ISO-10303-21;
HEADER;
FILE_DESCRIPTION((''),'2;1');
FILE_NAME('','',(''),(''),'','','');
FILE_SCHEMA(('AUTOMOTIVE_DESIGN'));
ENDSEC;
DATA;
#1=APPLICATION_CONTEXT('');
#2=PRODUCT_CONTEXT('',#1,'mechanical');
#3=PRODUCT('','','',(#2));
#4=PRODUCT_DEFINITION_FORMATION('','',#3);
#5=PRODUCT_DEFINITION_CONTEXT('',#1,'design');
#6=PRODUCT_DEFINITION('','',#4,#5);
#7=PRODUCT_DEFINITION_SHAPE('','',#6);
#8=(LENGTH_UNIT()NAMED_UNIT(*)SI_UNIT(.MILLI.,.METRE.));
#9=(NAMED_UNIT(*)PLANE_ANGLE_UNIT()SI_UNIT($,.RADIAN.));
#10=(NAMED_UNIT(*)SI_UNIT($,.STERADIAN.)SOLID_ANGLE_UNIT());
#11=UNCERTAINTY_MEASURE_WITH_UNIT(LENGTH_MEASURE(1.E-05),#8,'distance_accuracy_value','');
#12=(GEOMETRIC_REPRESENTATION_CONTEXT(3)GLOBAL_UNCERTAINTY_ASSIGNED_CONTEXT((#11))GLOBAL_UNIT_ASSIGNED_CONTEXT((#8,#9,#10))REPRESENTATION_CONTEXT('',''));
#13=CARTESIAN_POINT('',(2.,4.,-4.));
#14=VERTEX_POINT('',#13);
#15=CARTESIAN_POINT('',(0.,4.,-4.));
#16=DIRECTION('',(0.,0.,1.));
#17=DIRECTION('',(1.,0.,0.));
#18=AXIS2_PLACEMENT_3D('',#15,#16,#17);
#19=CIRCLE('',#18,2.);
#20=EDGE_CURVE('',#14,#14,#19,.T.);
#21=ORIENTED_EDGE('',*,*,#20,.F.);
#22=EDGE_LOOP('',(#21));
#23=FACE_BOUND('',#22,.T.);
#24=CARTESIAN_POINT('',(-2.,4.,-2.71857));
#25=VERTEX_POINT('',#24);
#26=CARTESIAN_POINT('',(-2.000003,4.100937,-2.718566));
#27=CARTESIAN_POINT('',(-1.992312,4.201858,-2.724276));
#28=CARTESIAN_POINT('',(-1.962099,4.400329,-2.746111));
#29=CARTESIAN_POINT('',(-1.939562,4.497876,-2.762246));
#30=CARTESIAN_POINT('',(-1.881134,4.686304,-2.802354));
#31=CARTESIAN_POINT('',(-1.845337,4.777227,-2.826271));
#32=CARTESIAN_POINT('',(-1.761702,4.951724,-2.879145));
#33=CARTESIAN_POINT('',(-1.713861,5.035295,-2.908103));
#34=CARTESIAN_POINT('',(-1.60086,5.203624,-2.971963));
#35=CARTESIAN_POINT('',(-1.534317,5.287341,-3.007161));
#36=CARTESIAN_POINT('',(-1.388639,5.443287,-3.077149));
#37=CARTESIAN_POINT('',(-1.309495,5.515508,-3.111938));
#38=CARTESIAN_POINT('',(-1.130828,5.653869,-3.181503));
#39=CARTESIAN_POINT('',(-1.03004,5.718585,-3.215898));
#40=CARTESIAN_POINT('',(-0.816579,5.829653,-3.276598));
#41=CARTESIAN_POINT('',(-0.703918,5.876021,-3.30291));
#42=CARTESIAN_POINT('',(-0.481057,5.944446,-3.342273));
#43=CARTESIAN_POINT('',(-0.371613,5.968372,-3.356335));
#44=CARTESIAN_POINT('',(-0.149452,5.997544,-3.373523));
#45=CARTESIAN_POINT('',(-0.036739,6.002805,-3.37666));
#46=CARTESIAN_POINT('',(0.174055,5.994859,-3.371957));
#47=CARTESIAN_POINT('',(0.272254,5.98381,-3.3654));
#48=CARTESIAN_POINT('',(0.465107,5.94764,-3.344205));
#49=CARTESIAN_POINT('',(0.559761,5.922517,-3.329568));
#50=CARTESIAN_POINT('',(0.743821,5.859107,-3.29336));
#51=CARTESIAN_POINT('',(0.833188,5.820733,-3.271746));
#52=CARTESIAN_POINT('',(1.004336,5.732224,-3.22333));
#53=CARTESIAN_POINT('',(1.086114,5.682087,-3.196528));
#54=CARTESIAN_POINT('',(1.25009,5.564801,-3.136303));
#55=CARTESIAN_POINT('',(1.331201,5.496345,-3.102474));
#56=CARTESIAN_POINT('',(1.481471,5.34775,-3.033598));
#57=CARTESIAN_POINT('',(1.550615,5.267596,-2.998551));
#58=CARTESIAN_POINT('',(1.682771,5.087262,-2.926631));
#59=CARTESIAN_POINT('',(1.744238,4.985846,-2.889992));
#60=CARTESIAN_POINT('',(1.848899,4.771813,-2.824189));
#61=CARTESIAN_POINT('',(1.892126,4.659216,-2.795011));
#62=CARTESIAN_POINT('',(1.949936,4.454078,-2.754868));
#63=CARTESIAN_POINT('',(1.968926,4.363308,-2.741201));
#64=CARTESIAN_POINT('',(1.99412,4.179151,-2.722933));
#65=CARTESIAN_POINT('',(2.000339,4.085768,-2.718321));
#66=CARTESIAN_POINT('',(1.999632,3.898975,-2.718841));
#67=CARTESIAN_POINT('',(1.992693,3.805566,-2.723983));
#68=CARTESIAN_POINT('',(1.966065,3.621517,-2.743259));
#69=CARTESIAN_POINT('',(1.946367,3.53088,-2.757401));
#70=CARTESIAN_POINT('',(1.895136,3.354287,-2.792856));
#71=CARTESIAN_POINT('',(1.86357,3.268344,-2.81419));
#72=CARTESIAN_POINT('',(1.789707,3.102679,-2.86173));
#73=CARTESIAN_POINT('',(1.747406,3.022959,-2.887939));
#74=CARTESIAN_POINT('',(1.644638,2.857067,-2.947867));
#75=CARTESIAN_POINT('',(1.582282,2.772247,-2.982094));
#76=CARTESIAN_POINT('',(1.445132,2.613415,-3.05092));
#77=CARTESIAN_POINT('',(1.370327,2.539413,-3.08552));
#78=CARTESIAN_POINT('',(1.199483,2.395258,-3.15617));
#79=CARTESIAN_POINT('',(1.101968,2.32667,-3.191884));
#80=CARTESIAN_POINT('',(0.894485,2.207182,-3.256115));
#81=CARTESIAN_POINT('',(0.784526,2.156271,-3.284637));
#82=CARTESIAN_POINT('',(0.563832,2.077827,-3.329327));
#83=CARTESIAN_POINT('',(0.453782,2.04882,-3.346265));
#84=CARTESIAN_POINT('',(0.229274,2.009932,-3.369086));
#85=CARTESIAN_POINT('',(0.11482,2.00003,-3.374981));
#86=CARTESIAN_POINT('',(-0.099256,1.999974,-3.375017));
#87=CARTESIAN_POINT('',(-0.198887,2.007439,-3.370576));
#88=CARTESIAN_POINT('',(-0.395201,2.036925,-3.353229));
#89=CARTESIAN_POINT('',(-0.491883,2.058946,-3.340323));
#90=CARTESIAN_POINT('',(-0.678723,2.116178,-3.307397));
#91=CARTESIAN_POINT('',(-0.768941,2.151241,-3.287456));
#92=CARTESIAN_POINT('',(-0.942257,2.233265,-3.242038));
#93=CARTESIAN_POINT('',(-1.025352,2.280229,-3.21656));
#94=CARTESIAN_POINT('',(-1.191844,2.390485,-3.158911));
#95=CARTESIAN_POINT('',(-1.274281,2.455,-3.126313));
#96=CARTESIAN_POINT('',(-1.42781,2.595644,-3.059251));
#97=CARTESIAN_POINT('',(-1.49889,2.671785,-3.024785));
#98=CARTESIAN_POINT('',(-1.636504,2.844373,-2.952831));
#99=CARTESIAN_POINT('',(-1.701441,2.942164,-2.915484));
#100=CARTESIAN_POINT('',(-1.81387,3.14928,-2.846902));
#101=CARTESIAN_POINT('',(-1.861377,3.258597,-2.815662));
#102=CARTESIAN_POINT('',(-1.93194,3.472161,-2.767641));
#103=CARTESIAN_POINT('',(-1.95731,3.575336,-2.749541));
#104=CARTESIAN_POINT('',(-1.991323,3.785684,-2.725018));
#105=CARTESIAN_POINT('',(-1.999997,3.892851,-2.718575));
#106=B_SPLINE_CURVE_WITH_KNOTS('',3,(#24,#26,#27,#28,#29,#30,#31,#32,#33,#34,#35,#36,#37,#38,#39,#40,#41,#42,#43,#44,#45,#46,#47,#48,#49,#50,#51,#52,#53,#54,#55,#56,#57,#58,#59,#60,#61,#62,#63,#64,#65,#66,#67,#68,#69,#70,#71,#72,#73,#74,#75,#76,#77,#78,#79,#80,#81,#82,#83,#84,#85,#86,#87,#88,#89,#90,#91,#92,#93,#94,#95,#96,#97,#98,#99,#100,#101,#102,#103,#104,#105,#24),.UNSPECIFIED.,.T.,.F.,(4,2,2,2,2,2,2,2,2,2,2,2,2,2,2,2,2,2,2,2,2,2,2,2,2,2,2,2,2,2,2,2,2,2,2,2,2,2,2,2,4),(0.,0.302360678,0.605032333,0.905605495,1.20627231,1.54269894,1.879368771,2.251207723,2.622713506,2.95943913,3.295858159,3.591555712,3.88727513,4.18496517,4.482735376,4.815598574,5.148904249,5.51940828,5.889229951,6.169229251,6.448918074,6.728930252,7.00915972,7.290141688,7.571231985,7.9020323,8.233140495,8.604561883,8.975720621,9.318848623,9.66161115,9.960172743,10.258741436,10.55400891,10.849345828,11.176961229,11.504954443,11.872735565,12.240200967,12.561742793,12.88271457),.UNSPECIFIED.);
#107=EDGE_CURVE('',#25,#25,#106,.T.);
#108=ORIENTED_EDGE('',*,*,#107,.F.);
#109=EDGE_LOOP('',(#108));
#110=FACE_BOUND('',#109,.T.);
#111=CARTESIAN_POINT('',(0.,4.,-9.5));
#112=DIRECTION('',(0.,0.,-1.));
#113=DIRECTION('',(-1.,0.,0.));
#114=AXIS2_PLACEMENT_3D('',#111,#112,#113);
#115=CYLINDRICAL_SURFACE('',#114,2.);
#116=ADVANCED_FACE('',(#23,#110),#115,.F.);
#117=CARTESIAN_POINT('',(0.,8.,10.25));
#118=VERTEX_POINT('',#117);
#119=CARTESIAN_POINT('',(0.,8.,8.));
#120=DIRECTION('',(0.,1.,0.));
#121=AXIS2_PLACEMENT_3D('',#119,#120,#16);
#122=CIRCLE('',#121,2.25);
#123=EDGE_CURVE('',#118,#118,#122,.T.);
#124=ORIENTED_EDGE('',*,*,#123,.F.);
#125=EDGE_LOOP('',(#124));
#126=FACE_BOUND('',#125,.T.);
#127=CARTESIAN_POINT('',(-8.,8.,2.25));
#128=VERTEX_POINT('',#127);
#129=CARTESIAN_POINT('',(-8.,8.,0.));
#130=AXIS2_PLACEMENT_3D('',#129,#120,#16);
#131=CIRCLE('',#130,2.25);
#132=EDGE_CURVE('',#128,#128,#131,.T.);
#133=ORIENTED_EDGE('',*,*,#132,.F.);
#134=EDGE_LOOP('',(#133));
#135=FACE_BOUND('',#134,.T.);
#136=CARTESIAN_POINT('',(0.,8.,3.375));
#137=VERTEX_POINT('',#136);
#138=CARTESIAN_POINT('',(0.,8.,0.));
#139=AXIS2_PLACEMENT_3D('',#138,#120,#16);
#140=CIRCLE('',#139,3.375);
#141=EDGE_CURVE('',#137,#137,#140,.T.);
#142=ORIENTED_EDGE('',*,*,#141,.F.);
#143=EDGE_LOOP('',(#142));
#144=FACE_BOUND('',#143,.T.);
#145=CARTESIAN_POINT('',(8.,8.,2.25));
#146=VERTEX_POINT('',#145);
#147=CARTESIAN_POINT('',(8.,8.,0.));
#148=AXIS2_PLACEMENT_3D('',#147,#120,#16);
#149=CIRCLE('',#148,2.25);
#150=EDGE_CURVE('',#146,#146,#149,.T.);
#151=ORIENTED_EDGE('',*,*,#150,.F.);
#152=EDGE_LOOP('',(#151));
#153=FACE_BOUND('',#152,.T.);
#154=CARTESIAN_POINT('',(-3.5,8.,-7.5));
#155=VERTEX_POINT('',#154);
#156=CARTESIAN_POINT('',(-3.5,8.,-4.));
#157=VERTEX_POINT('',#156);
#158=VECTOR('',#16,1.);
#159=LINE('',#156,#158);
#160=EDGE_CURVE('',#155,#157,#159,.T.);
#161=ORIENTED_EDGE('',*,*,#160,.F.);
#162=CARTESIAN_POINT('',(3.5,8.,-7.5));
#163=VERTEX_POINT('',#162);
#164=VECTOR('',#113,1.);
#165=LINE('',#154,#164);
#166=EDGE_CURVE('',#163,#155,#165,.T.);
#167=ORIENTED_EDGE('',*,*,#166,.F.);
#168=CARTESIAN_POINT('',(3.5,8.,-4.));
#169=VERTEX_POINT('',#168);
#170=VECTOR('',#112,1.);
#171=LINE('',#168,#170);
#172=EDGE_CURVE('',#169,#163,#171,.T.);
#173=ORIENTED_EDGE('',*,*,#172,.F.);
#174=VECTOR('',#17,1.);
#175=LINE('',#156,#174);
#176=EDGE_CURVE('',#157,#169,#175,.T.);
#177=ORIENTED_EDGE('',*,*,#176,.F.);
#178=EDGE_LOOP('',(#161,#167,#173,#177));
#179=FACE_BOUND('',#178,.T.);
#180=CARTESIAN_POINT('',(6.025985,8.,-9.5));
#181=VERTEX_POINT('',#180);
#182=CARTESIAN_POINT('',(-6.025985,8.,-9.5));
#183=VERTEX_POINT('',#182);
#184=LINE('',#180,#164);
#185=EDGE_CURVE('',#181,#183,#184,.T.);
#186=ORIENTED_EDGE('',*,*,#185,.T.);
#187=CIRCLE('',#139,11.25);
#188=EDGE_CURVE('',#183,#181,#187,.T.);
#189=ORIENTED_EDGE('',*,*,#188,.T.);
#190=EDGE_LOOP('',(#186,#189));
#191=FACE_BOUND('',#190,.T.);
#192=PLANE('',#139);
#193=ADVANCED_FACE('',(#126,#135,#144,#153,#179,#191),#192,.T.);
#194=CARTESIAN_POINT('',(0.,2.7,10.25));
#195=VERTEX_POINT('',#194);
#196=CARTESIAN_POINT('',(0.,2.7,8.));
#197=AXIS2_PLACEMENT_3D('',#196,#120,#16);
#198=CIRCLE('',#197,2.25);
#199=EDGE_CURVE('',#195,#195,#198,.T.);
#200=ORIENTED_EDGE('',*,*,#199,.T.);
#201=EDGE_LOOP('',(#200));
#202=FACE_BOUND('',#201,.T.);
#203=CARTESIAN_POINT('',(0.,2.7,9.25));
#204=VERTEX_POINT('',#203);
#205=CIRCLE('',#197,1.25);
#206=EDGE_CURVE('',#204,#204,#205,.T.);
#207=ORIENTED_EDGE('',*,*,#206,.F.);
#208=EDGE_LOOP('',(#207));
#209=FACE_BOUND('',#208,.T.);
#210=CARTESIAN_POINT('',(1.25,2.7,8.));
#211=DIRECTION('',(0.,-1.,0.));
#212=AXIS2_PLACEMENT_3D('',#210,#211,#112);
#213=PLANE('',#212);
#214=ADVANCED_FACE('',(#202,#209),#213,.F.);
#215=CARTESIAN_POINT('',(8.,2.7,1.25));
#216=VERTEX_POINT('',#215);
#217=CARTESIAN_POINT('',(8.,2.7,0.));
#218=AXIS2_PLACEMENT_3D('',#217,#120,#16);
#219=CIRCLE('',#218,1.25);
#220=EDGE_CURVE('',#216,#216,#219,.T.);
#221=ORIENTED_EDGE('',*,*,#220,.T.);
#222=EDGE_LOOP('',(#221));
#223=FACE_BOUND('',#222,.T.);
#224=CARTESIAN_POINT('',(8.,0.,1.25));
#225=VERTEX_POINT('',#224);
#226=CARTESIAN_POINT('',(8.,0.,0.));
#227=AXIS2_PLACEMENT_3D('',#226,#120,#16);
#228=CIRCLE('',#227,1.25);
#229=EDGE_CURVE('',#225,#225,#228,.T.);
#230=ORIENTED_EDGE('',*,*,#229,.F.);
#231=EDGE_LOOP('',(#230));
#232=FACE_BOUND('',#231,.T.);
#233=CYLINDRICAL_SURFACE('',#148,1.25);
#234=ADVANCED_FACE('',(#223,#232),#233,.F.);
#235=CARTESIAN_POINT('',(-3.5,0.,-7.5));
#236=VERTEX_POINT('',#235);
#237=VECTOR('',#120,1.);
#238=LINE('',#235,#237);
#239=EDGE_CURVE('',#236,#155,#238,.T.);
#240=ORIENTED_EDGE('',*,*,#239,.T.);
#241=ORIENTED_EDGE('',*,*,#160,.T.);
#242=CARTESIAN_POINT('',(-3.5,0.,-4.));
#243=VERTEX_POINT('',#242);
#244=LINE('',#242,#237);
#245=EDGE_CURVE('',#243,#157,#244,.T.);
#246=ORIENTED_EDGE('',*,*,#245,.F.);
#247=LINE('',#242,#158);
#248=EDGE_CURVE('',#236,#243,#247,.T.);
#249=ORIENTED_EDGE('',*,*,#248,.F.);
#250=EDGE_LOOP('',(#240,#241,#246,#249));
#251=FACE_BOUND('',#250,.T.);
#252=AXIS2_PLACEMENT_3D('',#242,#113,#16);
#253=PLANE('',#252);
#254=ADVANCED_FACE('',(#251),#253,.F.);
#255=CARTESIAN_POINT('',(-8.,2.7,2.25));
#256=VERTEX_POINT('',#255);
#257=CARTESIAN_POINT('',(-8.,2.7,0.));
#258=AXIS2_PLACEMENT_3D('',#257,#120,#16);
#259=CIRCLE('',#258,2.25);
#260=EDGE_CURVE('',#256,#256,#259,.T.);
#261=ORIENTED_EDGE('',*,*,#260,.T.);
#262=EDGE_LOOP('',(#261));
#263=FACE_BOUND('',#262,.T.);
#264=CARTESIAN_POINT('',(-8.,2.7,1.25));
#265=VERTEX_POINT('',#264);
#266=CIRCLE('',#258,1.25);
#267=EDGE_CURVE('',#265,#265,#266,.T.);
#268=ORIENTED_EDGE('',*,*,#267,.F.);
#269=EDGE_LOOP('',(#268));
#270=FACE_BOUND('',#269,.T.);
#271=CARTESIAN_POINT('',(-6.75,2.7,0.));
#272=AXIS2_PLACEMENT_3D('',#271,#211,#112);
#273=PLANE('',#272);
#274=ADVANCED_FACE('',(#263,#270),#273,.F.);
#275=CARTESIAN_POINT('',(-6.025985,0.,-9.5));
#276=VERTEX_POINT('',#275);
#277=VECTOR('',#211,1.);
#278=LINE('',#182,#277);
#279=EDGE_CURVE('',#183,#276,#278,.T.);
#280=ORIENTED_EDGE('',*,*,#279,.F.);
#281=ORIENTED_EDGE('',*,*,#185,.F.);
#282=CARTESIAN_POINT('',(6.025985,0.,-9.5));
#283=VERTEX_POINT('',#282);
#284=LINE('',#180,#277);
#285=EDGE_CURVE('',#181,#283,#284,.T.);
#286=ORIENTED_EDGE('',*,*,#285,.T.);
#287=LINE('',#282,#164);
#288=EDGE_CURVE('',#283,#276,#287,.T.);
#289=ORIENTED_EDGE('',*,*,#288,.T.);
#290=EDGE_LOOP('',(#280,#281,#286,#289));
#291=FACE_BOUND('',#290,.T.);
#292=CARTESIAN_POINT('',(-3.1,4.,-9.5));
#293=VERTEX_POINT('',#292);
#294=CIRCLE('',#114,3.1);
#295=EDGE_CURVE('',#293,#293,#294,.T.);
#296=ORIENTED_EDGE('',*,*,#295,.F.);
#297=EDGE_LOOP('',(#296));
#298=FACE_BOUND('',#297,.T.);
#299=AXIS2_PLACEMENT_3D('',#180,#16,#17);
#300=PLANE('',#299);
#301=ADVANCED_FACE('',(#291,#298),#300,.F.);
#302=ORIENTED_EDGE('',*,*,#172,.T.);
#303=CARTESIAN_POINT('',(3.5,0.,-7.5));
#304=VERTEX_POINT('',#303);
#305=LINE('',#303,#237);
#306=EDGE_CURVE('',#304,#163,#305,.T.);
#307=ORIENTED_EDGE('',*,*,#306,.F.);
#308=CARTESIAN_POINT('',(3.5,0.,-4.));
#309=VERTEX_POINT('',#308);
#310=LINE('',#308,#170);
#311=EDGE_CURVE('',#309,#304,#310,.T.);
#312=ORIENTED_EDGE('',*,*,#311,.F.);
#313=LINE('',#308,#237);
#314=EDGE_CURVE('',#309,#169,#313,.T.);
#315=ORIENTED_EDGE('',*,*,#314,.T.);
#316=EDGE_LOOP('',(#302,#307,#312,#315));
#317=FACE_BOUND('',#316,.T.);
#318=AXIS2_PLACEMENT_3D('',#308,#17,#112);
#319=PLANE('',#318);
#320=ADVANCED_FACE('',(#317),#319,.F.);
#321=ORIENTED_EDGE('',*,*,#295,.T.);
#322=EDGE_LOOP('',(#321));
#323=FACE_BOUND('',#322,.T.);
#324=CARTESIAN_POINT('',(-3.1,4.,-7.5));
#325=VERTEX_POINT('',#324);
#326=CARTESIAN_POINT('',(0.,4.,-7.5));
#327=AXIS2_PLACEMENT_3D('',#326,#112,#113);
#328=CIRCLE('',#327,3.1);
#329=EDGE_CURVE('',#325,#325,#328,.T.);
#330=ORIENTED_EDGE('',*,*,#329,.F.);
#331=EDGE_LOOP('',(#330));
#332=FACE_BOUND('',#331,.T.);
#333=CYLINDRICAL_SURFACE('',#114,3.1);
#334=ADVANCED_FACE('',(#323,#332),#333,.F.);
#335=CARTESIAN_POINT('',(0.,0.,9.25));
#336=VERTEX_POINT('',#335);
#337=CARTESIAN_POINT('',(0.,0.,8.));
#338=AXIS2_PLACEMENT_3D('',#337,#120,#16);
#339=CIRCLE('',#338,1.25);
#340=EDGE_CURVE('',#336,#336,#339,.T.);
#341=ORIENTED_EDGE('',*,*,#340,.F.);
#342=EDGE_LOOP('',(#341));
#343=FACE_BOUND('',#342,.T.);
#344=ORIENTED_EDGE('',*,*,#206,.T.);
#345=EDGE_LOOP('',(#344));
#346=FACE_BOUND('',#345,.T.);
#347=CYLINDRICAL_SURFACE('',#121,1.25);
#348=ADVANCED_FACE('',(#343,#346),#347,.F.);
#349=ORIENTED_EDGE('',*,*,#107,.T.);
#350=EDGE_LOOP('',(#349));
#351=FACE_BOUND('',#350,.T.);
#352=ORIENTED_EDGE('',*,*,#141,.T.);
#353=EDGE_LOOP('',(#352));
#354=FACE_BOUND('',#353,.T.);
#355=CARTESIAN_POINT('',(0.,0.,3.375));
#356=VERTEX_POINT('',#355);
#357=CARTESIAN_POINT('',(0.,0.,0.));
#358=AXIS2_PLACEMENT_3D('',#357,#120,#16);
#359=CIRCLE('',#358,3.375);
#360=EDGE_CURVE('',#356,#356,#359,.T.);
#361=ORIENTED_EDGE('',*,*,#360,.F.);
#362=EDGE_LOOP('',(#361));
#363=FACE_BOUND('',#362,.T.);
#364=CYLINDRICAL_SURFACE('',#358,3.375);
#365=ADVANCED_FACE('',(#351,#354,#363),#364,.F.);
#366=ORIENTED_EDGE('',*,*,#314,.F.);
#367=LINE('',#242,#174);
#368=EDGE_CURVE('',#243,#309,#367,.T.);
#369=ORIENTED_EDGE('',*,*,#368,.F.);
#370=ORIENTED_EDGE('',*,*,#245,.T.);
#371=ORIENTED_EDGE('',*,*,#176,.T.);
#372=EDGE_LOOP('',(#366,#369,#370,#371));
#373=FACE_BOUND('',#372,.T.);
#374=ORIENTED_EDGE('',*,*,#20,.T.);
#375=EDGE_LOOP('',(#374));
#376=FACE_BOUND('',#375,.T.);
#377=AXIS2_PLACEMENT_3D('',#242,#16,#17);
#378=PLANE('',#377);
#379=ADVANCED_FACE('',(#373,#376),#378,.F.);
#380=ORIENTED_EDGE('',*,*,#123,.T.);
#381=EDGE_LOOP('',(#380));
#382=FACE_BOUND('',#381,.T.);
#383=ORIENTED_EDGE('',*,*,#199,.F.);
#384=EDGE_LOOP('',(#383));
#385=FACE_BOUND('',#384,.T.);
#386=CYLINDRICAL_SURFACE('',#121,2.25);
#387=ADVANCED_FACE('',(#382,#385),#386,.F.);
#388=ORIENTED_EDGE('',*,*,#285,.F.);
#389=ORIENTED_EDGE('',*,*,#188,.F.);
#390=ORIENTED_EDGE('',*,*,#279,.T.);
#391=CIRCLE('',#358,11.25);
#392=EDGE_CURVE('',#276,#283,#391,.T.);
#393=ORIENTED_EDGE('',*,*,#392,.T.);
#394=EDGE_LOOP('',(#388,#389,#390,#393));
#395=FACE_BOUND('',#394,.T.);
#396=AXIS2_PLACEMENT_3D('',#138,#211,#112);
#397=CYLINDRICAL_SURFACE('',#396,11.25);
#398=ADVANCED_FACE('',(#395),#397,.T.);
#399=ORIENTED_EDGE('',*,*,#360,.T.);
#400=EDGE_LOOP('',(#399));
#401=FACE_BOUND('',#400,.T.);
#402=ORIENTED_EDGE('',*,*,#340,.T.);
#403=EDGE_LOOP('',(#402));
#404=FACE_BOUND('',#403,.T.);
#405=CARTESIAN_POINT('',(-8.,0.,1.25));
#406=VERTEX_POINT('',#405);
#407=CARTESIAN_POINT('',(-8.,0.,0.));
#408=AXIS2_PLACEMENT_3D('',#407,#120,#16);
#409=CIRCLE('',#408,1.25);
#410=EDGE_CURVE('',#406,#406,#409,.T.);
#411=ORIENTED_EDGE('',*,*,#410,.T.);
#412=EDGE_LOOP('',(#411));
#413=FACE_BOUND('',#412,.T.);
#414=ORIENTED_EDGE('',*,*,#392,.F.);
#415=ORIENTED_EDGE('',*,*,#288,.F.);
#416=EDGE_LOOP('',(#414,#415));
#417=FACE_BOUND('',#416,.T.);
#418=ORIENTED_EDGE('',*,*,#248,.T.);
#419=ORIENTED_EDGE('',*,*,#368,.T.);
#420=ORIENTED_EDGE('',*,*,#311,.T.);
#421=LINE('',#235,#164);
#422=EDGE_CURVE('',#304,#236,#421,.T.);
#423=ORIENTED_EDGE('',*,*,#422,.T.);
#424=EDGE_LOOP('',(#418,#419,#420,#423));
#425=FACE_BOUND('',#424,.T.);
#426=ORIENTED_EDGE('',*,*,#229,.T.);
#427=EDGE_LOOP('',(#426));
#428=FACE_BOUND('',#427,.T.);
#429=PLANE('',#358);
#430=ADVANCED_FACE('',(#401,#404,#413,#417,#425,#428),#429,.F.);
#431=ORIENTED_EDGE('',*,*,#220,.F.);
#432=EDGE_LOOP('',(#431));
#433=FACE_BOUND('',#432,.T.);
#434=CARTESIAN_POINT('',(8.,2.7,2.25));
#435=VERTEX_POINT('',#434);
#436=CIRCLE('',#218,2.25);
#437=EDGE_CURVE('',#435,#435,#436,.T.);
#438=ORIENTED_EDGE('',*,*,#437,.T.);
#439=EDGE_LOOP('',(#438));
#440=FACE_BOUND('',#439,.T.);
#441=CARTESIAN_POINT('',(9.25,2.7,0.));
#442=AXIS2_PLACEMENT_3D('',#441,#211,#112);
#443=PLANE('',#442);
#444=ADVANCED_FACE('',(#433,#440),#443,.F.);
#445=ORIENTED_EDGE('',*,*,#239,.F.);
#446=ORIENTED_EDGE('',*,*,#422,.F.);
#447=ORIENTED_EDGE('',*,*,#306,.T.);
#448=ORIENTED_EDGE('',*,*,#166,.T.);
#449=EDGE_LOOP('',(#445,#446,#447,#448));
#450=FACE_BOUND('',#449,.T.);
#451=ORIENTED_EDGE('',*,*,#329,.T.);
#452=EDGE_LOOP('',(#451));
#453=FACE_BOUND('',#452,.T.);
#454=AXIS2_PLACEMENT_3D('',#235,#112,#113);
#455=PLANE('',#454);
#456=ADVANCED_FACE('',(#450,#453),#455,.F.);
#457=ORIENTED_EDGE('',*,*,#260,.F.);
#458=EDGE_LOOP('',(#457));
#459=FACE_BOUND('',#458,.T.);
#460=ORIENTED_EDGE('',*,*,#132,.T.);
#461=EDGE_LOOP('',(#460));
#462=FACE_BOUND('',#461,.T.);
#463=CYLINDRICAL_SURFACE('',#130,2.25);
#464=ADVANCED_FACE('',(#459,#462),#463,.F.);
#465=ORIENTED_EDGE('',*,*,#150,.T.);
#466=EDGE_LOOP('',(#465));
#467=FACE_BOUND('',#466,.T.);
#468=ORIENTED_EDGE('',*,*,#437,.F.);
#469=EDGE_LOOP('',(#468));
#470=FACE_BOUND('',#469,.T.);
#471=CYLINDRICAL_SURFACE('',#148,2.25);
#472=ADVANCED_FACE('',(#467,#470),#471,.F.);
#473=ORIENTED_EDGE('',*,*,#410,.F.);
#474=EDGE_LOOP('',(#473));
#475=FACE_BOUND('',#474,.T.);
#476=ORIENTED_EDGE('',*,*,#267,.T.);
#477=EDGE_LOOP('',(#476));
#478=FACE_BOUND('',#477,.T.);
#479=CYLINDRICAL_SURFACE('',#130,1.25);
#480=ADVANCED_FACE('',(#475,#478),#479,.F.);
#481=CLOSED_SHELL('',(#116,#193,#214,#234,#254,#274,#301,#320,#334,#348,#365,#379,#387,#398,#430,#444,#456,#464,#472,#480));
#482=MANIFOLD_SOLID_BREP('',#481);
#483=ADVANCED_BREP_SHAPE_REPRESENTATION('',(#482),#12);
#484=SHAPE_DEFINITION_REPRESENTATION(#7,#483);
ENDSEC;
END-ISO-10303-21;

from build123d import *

# Parameters (mm, degrees)
BOSS_EXTRU_1_DEPTH                              = 8
SKETCH1_R                                       = 3.375
CUT_EXTRUDE1_DEPTH                              = 9
ESQUISSE7_W                                     = 7
ESQUISSE7_H                                     = 3.5
ENL_V_MAT_EXTRU_2_DEPTH                         = 9
CHAMBRAGE_POUR_VIS_T_TE_CYLINDRIQUE_D           = 2.5
CHAMBRAGE_POUR_VIS_T_TE_CYLINDRIQUE_CBORE_D     = 4.5
CHAMBRAGE_POUR_VIS_T_TE_CYLINDRIQUE_CBORE_DEPTH = 5.3
CBORE_FOR_M5_HEX_HEAD_BOLT1_D                   = 4
CBORE_FOR_M5_HEX_HEAD_BOLT1_DEPTH               = 9.499
CBORE_FOR_M5_HEX_HEAD_BOLT1_CBORE_D             = 6.2
CBORE_FOR_M5_HEX_HEAD_BOLT1_CBORE_DEPTH         = 2
CBORE_FOR_M5_HEX_HEAD_BOLT1_TIP                 = 1.201721238


with BuildPart() as part:
    # Esquisse1 → Boss.-Extru.1 (new body)
    with BuildSketch(Plane(origin=(0, 0, 0), x_dir=(1, 0, 0), z_dir=(0, 1, 0))):
        with BuildLine():
            Line((6.025985397, 9.5), (-6.025985397, 9.5))
            ThreePointArc((-6.025985397, 9.5), (0, -11.25), (6.025985397, 9.5))
        make_face()
    extrude(amount=BOSS_EXTRU_1_DEPTH)

    # Sketch1 → Cut-Extrude1 (cut, through all)
    with BuildSketch(Plane(origin=(0, 8, 0), x_dir=(1, 0, 0), z_dir=(0, 1, 0))):
        Circle(SKETCH1_R)
    extrude(amount=-CUT_EXTRUDE1_DEPTH, mode=Mode.SUBTRACT)

    # Esquisse7 → Enlèv. mat.-Extru.2 (cut, through all)
    with BuildSketch(Plane(origin=(0, 8, 0), x_dir=(1, 0, 0), z_dir=(0, 1, 0))):
        with Locations((0, 5.75)):
            Rectangle(ESQUISSE7_W, ESQUISSE7_H)
    extrude(amount=-ENL_V_MAT_EXTRU_2_DEPTH, mode=Mode.SUBTRACT)

    # Chambrage pour vis à tête cylindrique à 6 pans creux (ou vis CHC) M21 (through all)
    with Locations(Plane(origin=(0, 8, 0), x_dir=(1, 0, 0), z_dir=(0, 1, 0))):
        with Locations((-8, 0), (0, -8), (8, 0)):
            CounterBoreHole(CHAMBRAGE_POUR_VIS_T_TE_CYLINDRIQUE_D / 2, CHAMBRAGE_POUR_VIS_T_TE_CYLINDRIQUE_CBORE_D / 2, CHAMBRAGE_POUR_VIS_T_TE_CYLINDRIQUE_CBORE_DEPTH)

    # CBORE for M5 Hex Head Bolt1
    with Locations(Plane(origin=(0, 0, -9.5), x_dir=(-1, 0, 0), z_dir=(0, 0, -1))):
        with Locations((0, 4)):
            CounterBoreHole(CBORE_FOR_M5_HEX_HEAD_BOLT1_D / 2, CBORE_FOR_M5_HEX_HEAD_BOLT1_CBORE_D / 2, CBORE_FOR_M5_HEX_HEAD_BOLT1_CBORE_DEPTH, depth=CBORE_FOR_M5_HEX_HEAD_BOLT1_DEPTH)
            with Locations((0, 0, -(CBORE_FOR_M5_HEX_HEAD_BOLT1_DEPTH + CBORE_FOR_M5_HEX_HEAD_BOLT1_TIP / 2))):  # 118° drill point
                Cone(0, CBORE_FOR_M5_HEX_HEAD_BOLT1_D / 2, CBORE_FOR_M5_HEX_HEAD_BOLT1_TIP, mode=Mode.SUBTRACT)


solid = part.part
